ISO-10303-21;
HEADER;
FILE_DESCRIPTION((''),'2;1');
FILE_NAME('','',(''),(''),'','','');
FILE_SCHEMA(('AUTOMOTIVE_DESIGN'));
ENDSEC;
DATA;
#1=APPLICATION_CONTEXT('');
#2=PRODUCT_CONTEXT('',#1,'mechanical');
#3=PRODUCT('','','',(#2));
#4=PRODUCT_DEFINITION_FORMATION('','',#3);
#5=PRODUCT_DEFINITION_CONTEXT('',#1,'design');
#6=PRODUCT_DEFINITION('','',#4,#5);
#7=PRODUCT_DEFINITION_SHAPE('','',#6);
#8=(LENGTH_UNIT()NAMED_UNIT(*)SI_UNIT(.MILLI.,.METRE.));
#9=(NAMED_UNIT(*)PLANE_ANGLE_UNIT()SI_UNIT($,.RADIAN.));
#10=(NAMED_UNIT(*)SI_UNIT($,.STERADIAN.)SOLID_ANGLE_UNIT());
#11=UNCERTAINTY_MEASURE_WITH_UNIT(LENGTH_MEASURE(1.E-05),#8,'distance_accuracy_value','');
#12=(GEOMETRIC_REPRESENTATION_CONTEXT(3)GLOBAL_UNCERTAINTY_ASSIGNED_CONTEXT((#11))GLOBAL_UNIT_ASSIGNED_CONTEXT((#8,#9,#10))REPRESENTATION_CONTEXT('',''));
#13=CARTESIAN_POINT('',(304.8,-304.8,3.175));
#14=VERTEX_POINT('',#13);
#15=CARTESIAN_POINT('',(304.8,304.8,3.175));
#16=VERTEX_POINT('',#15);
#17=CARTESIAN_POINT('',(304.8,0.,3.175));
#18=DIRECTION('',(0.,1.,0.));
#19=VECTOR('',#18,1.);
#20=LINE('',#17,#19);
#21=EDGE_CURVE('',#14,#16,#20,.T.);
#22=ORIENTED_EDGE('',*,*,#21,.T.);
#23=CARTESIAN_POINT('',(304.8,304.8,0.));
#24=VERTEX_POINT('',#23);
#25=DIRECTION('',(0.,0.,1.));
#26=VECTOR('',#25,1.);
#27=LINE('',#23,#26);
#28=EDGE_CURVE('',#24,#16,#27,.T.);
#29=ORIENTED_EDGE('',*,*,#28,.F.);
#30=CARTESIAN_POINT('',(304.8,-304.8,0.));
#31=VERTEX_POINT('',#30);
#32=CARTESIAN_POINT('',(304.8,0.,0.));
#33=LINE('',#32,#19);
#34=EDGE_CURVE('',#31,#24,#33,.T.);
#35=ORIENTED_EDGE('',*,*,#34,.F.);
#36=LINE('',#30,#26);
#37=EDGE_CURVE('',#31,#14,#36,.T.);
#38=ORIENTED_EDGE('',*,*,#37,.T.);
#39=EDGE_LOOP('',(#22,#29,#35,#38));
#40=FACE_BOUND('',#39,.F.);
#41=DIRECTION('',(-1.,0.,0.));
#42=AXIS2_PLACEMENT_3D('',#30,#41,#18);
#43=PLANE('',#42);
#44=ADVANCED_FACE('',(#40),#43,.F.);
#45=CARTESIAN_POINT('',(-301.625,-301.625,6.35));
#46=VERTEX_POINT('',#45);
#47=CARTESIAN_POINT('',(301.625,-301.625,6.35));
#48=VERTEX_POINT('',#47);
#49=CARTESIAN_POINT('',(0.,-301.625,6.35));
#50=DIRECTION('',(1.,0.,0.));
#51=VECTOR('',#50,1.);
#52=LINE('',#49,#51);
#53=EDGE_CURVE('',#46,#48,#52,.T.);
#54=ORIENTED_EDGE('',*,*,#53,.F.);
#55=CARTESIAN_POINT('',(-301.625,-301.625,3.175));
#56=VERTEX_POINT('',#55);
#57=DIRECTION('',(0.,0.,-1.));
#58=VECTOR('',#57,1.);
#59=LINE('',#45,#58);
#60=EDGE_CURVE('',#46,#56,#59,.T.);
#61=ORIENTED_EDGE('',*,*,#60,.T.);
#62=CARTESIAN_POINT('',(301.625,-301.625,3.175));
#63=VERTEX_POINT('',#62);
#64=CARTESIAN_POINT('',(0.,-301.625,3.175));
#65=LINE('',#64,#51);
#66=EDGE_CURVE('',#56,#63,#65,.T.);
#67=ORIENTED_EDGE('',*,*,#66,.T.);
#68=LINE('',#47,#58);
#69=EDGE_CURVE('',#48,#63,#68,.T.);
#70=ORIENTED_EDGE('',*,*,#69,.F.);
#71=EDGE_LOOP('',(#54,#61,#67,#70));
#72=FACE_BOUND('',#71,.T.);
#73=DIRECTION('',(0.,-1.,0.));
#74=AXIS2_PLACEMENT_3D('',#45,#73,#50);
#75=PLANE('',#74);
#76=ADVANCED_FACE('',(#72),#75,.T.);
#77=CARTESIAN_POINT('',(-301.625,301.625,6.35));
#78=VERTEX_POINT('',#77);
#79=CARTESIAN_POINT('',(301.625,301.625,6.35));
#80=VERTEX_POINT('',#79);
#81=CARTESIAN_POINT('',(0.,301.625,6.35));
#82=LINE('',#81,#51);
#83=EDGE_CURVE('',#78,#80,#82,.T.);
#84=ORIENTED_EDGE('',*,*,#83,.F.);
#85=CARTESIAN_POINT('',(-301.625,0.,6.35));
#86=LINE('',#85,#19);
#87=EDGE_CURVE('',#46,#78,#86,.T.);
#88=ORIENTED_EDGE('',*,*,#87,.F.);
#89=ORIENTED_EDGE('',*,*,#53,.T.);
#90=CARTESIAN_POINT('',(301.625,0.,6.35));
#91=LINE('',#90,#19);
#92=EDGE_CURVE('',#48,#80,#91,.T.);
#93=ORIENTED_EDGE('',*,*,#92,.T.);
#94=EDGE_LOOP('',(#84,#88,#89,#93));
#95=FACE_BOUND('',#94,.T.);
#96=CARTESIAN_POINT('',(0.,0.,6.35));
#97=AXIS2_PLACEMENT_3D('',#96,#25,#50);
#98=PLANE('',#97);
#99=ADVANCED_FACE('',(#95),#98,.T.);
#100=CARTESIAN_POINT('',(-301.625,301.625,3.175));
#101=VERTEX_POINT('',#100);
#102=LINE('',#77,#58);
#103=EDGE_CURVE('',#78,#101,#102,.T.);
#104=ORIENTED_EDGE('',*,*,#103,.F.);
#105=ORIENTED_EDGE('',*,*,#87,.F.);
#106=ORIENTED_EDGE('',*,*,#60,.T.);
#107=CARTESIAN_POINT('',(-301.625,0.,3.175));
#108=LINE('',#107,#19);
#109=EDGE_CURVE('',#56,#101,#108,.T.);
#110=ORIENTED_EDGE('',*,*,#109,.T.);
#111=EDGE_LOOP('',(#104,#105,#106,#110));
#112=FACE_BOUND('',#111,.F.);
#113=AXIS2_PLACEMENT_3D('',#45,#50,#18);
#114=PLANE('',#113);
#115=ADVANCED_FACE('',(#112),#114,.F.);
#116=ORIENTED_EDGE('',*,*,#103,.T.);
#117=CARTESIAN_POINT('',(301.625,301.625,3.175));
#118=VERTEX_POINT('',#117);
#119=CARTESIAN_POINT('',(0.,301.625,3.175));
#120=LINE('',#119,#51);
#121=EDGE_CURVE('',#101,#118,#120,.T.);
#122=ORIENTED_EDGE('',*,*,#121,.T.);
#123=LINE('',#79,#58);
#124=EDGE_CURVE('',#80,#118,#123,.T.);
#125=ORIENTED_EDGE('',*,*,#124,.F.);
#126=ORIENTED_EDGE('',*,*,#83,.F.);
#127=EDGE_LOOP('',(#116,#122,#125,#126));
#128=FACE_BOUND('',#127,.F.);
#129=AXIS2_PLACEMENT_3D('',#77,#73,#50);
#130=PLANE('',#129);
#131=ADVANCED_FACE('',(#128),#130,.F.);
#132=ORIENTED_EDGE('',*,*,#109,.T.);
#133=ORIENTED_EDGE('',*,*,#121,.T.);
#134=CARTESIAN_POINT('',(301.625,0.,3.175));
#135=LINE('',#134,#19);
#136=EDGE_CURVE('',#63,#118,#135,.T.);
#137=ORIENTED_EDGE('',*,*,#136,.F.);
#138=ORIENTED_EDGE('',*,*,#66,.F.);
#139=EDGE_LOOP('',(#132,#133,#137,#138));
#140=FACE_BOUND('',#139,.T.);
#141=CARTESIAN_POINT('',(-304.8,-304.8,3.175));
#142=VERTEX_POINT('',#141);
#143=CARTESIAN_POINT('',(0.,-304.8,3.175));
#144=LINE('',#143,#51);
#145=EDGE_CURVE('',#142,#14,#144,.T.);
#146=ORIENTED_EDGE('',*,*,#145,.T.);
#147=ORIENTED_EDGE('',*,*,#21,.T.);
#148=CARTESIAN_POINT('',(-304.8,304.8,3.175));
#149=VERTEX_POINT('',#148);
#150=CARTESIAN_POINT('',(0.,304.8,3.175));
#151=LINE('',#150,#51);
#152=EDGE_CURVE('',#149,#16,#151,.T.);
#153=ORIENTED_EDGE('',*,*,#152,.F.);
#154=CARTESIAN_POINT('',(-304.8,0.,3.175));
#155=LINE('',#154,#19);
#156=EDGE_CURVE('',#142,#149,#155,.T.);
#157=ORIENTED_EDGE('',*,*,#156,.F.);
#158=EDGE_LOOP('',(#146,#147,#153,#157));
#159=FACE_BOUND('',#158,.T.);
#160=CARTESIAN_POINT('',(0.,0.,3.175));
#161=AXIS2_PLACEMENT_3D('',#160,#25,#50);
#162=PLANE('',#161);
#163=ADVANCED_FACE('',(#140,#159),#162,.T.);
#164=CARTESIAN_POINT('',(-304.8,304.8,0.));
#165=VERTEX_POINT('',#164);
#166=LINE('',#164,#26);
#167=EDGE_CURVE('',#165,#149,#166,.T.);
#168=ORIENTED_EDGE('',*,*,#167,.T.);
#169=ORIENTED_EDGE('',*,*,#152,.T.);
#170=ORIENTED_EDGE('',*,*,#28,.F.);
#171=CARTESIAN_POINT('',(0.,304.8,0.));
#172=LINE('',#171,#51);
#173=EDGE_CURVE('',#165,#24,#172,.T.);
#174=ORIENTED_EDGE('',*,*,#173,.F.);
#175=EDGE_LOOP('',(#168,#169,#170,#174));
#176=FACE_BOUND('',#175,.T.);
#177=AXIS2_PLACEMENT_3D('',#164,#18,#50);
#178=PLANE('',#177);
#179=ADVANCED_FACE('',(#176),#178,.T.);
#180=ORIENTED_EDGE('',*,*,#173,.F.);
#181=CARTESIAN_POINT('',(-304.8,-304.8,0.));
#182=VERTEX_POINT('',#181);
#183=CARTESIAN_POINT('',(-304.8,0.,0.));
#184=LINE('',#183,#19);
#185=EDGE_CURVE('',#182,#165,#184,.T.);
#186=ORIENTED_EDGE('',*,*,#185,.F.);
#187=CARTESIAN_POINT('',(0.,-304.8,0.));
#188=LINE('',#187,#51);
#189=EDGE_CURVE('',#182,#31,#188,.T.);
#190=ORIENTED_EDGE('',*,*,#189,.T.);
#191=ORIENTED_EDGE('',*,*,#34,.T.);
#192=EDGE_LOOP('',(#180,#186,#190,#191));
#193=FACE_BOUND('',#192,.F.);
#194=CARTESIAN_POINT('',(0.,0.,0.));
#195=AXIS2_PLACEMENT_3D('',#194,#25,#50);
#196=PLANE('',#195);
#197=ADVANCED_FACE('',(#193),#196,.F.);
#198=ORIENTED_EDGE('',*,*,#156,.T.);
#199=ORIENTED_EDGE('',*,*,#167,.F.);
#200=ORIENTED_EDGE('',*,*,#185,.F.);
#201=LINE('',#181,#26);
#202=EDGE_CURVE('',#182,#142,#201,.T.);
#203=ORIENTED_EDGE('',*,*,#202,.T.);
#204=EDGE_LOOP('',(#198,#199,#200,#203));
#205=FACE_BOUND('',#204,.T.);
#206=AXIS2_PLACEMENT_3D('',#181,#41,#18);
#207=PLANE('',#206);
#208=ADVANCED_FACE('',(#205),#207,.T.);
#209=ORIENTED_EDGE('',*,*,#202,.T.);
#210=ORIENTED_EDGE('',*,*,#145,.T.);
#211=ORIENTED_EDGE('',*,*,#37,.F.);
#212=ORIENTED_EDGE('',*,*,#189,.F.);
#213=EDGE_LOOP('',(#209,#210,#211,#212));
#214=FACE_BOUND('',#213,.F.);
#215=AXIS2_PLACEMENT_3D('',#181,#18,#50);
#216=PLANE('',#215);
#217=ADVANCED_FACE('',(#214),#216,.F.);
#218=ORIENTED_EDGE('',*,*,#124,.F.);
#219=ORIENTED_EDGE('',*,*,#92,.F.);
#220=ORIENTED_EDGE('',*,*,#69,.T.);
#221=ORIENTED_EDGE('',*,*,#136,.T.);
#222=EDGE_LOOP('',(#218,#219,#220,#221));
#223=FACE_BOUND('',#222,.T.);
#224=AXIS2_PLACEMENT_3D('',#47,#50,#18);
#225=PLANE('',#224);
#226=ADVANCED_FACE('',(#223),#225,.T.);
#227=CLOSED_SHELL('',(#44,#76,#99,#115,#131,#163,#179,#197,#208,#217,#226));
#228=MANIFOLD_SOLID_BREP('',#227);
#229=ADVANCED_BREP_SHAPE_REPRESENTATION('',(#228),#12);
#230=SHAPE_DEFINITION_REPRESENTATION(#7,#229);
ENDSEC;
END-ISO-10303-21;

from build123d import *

# Parameters (mm, degrees)
F0_W     = 609.6
F0_H     = 609.6
F1_DEPTH = 6.35
F2_W     = 609.6
F2_H     = 609.6
F2_W_2   = 603.25
F2_H_2   = 603.25
F3_DEPTH = 3.175


with BuildPart() as f1:
    # F0 (on Top) → F1 (new body)
    with BuildSketch(Plane.XY):
        Rectangle(F0_W, F0_H)
    extrude(amount=F1_DEPTH)

    # F2 (on face) → F3 (cut)
    with BuildSketch(Plane.XY.offset(6.35)):
        Rectangle(F2_W, F2_H)
        Rectangle(F2_W_2, F2_H_2, mode=Mode.SUBTRACT)
    extrude(amount=-F3_DEPTH, mode=Mode.SUBTRACT)


solid = f1.part
